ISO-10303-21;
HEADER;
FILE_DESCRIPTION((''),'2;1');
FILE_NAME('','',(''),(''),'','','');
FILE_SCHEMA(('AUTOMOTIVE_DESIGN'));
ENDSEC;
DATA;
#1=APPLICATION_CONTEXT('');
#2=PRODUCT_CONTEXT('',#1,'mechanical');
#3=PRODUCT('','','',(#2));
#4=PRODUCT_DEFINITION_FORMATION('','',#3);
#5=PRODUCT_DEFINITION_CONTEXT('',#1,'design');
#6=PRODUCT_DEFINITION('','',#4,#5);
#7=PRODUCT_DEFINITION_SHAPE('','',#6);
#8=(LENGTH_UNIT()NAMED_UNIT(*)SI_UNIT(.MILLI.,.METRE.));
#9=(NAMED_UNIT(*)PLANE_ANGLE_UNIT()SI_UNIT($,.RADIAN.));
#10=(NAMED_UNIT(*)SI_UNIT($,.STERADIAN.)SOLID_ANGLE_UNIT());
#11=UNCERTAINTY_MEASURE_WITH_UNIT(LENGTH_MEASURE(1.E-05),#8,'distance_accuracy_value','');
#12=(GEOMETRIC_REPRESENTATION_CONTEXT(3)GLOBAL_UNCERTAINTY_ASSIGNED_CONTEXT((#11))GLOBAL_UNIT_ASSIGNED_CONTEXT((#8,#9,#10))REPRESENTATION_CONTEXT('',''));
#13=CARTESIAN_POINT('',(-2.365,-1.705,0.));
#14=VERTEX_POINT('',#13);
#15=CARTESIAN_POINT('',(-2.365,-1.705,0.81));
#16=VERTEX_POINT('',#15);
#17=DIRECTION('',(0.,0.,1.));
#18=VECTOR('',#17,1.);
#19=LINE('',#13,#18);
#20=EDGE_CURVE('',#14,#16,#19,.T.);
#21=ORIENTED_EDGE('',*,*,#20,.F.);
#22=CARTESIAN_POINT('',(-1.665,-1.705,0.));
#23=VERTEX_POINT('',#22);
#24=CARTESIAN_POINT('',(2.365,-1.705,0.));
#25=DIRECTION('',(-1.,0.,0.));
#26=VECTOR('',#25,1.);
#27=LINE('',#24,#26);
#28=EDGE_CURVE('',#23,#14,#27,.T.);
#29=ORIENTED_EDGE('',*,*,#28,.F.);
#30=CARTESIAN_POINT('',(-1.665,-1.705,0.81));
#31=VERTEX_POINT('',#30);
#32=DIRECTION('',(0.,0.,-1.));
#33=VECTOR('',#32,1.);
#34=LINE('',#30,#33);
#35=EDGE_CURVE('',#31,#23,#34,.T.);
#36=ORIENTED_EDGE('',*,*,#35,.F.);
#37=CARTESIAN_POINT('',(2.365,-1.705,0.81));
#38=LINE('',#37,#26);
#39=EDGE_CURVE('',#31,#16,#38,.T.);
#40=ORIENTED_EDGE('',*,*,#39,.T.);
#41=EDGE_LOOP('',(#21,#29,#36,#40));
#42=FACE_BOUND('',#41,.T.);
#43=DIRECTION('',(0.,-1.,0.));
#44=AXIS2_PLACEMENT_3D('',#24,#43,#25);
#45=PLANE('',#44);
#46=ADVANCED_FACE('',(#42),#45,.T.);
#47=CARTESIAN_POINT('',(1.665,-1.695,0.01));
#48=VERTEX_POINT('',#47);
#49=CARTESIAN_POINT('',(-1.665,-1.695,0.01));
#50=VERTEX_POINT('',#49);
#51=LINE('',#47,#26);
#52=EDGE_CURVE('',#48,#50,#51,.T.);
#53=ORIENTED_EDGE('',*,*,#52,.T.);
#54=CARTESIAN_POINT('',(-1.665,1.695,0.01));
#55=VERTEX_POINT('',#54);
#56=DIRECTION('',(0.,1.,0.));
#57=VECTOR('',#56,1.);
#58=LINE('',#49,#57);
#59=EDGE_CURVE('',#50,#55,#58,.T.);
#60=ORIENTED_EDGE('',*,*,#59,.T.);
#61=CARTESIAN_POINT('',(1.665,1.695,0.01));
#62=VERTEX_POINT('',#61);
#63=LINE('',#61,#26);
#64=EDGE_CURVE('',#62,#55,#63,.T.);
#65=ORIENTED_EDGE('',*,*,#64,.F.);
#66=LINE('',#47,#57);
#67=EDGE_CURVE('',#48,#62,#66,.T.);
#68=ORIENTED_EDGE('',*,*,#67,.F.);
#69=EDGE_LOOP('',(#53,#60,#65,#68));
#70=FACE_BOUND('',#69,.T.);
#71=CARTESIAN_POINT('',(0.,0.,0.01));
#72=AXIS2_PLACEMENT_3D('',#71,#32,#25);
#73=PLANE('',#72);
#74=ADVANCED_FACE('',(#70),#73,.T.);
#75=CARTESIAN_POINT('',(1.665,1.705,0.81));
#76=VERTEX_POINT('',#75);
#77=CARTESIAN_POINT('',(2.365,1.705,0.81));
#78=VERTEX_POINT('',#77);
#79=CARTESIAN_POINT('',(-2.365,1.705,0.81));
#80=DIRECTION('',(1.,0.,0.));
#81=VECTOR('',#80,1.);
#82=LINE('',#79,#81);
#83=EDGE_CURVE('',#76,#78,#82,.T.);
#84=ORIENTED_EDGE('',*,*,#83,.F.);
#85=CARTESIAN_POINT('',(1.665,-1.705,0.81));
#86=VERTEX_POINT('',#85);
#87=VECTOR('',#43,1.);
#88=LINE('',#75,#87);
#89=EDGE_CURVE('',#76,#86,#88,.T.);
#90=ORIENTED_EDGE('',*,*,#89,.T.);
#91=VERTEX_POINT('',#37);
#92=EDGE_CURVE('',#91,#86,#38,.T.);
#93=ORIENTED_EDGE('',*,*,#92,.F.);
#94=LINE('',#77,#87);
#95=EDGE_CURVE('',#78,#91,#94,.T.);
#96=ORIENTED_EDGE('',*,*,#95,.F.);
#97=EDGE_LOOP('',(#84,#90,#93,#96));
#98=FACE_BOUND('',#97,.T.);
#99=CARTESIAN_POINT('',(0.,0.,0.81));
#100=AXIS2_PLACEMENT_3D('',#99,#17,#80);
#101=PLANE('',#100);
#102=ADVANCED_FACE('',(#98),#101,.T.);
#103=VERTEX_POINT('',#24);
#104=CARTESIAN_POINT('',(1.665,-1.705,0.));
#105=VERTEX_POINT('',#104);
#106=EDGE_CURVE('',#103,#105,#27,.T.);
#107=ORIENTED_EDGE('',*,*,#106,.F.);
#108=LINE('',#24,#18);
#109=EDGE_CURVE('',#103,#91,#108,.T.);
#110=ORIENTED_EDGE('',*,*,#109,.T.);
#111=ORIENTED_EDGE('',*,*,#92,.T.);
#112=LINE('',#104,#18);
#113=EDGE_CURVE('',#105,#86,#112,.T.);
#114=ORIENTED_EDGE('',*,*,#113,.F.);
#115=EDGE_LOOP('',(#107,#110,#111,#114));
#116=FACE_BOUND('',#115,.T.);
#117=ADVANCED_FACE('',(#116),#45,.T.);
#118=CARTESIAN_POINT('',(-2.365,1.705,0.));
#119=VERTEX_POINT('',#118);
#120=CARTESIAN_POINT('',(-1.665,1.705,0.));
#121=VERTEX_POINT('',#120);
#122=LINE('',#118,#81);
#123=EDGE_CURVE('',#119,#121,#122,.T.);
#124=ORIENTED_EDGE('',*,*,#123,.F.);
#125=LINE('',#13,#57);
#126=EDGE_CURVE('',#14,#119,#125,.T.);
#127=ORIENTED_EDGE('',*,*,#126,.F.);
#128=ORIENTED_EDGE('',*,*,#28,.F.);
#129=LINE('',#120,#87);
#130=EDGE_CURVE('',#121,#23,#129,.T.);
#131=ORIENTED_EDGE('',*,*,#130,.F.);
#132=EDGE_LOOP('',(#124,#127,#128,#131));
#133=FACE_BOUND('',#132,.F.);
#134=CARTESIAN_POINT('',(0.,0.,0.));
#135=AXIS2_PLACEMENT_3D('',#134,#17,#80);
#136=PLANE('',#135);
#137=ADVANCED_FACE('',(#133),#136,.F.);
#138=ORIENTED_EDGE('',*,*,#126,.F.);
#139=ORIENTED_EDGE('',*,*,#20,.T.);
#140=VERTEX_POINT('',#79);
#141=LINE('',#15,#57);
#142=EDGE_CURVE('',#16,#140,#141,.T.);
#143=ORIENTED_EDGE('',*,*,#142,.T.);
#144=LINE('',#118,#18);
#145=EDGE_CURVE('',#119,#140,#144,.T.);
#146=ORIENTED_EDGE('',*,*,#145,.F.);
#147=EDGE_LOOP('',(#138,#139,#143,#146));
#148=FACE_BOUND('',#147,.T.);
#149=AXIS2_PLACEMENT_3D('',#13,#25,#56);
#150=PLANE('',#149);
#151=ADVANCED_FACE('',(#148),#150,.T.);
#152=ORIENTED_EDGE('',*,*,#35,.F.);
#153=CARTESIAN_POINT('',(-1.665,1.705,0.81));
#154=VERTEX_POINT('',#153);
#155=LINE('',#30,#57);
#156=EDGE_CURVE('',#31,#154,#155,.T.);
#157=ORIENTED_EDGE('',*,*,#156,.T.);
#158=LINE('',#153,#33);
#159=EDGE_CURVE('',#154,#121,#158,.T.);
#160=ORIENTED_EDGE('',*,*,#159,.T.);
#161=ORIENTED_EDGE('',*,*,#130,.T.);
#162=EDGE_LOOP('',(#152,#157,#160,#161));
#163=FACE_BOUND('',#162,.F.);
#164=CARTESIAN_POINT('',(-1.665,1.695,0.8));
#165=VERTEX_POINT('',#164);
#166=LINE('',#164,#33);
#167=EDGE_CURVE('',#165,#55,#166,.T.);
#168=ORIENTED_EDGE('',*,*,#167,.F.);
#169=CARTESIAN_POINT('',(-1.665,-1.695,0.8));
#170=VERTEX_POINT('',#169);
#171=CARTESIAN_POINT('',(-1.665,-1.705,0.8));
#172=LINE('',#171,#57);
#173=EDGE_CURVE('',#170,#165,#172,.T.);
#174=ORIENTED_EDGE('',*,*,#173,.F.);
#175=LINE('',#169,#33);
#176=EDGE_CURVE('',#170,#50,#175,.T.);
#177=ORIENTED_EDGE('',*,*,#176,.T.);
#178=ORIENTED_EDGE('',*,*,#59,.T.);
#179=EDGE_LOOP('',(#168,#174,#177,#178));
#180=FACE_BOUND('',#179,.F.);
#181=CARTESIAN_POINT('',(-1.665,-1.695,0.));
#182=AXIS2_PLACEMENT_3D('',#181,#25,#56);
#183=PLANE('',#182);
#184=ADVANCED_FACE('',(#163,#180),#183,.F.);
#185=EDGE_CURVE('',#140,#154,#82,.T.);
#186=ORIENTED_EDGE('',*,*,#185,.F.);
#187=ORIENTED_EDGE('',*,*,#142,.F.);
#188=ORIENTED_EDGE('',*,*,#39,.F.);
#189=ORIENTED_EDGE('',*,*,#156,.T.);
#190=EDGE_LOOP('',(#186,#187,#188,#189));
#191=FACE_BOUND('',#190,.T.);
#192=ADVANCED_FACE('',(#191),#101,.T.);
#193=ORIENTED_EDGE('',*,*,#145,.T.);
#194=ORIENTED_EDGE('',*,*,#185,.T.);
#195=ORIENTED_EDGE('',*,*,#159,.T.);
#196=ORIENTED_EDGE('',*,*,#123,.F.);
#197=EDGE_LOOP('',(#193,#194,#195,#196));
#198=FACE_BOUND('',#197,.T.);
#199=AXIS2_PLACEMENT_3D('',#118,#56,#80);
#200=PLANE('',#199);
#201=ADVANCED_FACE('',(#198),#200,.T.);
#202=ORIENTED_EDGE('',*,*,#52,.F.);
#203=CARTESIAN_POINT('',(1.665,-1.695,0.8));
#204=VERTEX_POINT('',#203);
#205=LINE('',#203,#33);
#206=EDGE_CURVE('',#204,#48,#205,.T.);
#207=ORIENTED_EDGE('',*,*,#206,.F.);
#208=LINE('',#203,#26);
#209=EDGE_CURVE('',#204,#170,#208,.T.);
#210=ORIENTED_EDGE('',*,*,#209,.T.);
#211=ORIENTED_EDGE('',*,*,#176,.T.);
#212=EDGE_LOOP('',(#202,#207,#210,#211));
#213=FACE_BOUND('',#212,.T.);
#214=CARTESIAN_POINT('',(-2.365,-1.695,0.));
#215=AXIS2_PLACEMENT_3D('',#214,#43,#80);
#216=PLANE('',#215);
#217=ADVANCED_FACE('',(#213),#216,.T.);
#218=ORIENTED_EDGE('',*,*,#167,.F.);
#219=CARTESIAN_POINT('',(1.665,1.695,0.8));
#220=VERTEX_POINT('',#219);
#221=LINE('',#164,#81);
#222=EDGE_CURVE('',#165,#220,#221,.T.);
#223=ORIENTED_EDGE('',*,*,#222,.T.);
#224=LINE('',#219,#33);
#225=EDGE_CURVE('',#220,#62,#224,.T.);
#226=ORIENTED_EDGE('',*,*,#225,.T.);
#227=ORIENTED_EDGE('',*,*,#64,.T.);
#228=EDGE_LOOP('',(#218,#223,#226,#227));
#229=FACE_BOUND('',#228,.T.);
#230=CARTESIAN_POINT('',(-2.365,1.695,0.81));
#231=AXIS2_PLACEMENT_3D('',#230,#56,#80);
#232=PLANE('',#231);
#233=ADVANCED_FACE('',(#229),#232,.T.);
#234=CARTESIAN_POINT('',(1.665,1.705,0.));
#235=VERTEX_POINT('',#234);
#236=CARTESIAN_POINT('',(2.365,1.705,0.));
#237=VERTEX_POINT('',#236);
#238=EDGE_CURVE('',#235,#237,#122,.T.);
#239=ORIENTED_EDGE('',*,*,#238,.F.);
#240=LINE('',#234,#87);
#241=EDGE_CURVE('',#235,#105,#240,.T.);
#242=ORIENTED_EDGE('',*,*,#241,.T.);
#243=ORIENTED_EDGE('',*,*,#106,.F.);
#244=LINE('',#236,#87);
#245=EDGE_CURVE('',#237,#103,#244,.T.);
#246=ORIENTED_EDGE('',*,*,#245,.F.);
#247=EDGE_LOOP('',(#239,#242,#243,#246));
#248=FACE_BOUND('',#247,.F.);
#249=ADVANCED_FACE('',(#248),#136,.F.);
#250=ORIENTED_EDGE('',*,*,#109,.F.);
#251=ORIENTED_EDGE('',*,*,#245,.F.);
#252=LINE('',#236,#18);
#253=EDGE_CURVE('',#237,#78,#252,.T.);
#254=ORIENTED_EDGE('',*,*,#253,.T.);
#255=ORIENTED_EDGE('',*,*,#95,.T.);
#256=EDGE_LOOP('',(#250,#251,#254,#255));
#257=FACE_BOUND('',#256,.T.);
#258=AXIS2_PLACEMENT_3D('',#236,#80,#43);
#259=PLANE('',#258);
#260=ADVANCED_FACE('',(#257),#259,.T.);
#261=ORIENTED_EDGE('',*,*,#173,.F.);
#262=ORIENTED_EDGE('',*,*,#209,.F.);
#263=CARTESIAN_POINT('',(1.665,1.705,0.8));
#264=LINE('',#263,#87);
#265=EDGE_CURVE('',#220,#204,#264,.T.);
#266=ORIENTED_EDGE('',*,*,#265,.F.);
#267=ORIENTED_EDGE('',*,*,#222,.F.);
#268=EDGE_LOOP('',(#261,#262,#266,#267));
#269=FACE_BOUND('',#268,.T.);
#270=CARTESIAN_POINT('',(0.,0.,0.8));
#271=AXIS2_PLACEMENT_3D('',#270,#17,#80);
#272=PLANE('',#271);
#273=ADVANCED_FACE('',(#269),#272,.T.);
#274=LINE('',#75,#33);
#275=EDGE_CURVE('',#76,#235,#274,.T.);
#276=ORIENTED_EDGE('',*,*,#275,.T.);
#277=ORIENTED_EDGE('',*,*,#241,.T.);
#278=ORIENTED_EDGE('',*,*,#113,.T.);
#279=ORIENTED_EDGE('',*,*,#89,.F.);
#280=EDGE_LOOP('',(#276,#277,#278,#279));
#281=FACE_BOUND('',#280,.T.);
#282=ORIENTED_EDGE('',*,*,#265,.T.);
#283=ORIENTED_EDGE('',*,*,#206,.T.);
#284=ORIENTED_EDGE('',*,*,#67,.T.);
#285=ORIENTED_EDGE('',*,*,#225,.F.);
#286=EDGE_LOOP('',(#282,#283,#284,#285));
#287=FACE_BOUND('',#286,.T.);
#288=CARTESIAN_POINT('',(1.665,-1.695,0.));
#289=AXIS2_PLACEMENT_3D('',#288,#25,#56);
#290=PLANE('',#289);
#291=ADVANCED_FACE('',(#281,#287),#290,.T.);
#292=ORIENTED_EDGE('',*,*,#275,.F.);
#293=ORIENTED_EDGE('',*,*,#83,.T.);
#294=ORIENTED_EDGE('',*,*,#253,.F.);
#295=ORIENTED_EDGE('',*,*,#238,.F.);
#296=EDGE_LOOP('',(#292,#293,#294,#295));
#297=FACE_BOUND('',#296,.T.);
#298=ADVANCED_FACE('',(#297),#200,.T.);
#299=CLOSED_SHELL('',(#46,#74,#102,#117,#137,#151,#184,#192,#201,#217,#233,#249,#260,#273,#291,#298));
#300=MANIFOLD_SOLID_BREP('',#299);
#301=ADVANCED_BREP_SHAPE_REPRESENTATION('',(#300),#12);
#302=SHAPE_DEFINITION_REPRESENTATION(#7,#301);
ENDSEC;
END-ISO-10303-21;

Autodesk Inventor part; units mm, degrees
ref_plane "YZ Plane" through (0, 0, 0) normal (1, 0, 0) x (0, 1, 0)
ref_plane "XZ Plane" through (0, 0, 0) normal (0, 1, 0) x (-1, 0, 0)
ref_plane "XY Plane" through (0, 0, 0) normal (0, 0, 1) x (1, 0, 0)
sketch "Эскиз1" plane through (0, 0, 0) normal (0, 0, 1) x (1, 0, 0)
  line L0 (-2.365, 1.705) -> (2.365, 1.705)
  line L1 (2.365, 1.705) -> (2.365, -1.705)
  line L2 (2.365, -1.705) -> (-2.365, -1.705)
  line L3 (-2.365, -1.705) -> (-2.365, 1.705)
  point P0 (0, 0)
  dimension "d0" = 3.41
  dimension "d1" = 4.73
  dimension "d2" = 2.365
  dimension "d3" = 1.705
extrude "Выдавливание1" add sketch "Эскиз1" along normal blind 0.81
sketch "Эскиз2" plane through (0, 0, 0.81) normal (0, 0, 1) x (1, 0, 0)
  line L0 (2.365, 1.705) -> (2.365, -1.705) projected
  line L1 (-2.365, 1.705) -> (2.365, 1.705) projected
  line L2 (-2.365, -1.705) -> (-2.365, 1.705) projected
  line L3 (2.365, -1.705) -> (-2.365, -1.705) projected
  line L4 (-1.665, 1.705) -> (1.665, 1.705)
  line L5 (1.665, 1.705) -> (1.665, -1.705)
  line L6 (1.665, -1.705) -> (-1.665, -1.705)
  line L7 (-1.665, -1.705) -> (-1.665, 1.705)
  point P0 (0, 0)
  dimension "d6" = 0.7
  dimension "d7" = 0.7
extrude "Выдавливание2" cut sketch "Эскиз2" against normal blind 0.01 contours L5 L3 L7 L1
sketch "Эскиз3" plane through (-2.365, -1.705, 0) normal (0, -1, 0) x (1, 0, 0)
  line L0 (4.73, 0) -> (0, 0) projected
  line L1 (4.03, 0.8) -> (0.7, 0.8) projected
  line L2 (0.7, 0.8) -> (0.7, 0)
  line L3 (4.03, 0.8) -> (4.03, 0)
  point P0 (2.365, 0)
extrude "Выдавливание3" cut sketch "Эскиз3" against normal blind 0.01
sketch "Эскиз4" plane through (0, 0, 0) normal (0, 0, -1) x (-1, 0, 0)
  line L0 (-1.665, -1.695) -> (1.665, -1.695) projected
  line L1 (2.365, 1.705) -> (-2.365, 1.705) projected
  line L2 (1.665, -1.695) -> (1.665, 1.705)
  line L3 (-1.665, -1.695) -> (-1.665, 1.705)
  point P0 (0, 0)
extrude "Выдавливание4" cut sketch "Эскиз4" against normal blind 0.01
sketch "Эскиз5" plane through (-2.365, 1.705, 0.81) normal (0, 1, 0) x (1, 0, 0)
  line L0 (0.7, 0.01) -> (4.03, 0.01) projected
  line L1 (4.03, 0.8) -> (0.7, 0.8) projected
  line L2 (4.03, 0.01) -> (4.03, 0.8)
  line L3 (0.7, 0.01) -> (0.7, 0.8)
  point P0 (2.365, 0.81)
extrude "Выдавливание5" cut sketch "Эскиз5" against normal blind 0.01
equation "\"d2\" = 0.5 * d1"
equation "\"d3\" = 0.5 * d0"
equation "\"d7\" = d6"
properties part number "GP-WSM010"
